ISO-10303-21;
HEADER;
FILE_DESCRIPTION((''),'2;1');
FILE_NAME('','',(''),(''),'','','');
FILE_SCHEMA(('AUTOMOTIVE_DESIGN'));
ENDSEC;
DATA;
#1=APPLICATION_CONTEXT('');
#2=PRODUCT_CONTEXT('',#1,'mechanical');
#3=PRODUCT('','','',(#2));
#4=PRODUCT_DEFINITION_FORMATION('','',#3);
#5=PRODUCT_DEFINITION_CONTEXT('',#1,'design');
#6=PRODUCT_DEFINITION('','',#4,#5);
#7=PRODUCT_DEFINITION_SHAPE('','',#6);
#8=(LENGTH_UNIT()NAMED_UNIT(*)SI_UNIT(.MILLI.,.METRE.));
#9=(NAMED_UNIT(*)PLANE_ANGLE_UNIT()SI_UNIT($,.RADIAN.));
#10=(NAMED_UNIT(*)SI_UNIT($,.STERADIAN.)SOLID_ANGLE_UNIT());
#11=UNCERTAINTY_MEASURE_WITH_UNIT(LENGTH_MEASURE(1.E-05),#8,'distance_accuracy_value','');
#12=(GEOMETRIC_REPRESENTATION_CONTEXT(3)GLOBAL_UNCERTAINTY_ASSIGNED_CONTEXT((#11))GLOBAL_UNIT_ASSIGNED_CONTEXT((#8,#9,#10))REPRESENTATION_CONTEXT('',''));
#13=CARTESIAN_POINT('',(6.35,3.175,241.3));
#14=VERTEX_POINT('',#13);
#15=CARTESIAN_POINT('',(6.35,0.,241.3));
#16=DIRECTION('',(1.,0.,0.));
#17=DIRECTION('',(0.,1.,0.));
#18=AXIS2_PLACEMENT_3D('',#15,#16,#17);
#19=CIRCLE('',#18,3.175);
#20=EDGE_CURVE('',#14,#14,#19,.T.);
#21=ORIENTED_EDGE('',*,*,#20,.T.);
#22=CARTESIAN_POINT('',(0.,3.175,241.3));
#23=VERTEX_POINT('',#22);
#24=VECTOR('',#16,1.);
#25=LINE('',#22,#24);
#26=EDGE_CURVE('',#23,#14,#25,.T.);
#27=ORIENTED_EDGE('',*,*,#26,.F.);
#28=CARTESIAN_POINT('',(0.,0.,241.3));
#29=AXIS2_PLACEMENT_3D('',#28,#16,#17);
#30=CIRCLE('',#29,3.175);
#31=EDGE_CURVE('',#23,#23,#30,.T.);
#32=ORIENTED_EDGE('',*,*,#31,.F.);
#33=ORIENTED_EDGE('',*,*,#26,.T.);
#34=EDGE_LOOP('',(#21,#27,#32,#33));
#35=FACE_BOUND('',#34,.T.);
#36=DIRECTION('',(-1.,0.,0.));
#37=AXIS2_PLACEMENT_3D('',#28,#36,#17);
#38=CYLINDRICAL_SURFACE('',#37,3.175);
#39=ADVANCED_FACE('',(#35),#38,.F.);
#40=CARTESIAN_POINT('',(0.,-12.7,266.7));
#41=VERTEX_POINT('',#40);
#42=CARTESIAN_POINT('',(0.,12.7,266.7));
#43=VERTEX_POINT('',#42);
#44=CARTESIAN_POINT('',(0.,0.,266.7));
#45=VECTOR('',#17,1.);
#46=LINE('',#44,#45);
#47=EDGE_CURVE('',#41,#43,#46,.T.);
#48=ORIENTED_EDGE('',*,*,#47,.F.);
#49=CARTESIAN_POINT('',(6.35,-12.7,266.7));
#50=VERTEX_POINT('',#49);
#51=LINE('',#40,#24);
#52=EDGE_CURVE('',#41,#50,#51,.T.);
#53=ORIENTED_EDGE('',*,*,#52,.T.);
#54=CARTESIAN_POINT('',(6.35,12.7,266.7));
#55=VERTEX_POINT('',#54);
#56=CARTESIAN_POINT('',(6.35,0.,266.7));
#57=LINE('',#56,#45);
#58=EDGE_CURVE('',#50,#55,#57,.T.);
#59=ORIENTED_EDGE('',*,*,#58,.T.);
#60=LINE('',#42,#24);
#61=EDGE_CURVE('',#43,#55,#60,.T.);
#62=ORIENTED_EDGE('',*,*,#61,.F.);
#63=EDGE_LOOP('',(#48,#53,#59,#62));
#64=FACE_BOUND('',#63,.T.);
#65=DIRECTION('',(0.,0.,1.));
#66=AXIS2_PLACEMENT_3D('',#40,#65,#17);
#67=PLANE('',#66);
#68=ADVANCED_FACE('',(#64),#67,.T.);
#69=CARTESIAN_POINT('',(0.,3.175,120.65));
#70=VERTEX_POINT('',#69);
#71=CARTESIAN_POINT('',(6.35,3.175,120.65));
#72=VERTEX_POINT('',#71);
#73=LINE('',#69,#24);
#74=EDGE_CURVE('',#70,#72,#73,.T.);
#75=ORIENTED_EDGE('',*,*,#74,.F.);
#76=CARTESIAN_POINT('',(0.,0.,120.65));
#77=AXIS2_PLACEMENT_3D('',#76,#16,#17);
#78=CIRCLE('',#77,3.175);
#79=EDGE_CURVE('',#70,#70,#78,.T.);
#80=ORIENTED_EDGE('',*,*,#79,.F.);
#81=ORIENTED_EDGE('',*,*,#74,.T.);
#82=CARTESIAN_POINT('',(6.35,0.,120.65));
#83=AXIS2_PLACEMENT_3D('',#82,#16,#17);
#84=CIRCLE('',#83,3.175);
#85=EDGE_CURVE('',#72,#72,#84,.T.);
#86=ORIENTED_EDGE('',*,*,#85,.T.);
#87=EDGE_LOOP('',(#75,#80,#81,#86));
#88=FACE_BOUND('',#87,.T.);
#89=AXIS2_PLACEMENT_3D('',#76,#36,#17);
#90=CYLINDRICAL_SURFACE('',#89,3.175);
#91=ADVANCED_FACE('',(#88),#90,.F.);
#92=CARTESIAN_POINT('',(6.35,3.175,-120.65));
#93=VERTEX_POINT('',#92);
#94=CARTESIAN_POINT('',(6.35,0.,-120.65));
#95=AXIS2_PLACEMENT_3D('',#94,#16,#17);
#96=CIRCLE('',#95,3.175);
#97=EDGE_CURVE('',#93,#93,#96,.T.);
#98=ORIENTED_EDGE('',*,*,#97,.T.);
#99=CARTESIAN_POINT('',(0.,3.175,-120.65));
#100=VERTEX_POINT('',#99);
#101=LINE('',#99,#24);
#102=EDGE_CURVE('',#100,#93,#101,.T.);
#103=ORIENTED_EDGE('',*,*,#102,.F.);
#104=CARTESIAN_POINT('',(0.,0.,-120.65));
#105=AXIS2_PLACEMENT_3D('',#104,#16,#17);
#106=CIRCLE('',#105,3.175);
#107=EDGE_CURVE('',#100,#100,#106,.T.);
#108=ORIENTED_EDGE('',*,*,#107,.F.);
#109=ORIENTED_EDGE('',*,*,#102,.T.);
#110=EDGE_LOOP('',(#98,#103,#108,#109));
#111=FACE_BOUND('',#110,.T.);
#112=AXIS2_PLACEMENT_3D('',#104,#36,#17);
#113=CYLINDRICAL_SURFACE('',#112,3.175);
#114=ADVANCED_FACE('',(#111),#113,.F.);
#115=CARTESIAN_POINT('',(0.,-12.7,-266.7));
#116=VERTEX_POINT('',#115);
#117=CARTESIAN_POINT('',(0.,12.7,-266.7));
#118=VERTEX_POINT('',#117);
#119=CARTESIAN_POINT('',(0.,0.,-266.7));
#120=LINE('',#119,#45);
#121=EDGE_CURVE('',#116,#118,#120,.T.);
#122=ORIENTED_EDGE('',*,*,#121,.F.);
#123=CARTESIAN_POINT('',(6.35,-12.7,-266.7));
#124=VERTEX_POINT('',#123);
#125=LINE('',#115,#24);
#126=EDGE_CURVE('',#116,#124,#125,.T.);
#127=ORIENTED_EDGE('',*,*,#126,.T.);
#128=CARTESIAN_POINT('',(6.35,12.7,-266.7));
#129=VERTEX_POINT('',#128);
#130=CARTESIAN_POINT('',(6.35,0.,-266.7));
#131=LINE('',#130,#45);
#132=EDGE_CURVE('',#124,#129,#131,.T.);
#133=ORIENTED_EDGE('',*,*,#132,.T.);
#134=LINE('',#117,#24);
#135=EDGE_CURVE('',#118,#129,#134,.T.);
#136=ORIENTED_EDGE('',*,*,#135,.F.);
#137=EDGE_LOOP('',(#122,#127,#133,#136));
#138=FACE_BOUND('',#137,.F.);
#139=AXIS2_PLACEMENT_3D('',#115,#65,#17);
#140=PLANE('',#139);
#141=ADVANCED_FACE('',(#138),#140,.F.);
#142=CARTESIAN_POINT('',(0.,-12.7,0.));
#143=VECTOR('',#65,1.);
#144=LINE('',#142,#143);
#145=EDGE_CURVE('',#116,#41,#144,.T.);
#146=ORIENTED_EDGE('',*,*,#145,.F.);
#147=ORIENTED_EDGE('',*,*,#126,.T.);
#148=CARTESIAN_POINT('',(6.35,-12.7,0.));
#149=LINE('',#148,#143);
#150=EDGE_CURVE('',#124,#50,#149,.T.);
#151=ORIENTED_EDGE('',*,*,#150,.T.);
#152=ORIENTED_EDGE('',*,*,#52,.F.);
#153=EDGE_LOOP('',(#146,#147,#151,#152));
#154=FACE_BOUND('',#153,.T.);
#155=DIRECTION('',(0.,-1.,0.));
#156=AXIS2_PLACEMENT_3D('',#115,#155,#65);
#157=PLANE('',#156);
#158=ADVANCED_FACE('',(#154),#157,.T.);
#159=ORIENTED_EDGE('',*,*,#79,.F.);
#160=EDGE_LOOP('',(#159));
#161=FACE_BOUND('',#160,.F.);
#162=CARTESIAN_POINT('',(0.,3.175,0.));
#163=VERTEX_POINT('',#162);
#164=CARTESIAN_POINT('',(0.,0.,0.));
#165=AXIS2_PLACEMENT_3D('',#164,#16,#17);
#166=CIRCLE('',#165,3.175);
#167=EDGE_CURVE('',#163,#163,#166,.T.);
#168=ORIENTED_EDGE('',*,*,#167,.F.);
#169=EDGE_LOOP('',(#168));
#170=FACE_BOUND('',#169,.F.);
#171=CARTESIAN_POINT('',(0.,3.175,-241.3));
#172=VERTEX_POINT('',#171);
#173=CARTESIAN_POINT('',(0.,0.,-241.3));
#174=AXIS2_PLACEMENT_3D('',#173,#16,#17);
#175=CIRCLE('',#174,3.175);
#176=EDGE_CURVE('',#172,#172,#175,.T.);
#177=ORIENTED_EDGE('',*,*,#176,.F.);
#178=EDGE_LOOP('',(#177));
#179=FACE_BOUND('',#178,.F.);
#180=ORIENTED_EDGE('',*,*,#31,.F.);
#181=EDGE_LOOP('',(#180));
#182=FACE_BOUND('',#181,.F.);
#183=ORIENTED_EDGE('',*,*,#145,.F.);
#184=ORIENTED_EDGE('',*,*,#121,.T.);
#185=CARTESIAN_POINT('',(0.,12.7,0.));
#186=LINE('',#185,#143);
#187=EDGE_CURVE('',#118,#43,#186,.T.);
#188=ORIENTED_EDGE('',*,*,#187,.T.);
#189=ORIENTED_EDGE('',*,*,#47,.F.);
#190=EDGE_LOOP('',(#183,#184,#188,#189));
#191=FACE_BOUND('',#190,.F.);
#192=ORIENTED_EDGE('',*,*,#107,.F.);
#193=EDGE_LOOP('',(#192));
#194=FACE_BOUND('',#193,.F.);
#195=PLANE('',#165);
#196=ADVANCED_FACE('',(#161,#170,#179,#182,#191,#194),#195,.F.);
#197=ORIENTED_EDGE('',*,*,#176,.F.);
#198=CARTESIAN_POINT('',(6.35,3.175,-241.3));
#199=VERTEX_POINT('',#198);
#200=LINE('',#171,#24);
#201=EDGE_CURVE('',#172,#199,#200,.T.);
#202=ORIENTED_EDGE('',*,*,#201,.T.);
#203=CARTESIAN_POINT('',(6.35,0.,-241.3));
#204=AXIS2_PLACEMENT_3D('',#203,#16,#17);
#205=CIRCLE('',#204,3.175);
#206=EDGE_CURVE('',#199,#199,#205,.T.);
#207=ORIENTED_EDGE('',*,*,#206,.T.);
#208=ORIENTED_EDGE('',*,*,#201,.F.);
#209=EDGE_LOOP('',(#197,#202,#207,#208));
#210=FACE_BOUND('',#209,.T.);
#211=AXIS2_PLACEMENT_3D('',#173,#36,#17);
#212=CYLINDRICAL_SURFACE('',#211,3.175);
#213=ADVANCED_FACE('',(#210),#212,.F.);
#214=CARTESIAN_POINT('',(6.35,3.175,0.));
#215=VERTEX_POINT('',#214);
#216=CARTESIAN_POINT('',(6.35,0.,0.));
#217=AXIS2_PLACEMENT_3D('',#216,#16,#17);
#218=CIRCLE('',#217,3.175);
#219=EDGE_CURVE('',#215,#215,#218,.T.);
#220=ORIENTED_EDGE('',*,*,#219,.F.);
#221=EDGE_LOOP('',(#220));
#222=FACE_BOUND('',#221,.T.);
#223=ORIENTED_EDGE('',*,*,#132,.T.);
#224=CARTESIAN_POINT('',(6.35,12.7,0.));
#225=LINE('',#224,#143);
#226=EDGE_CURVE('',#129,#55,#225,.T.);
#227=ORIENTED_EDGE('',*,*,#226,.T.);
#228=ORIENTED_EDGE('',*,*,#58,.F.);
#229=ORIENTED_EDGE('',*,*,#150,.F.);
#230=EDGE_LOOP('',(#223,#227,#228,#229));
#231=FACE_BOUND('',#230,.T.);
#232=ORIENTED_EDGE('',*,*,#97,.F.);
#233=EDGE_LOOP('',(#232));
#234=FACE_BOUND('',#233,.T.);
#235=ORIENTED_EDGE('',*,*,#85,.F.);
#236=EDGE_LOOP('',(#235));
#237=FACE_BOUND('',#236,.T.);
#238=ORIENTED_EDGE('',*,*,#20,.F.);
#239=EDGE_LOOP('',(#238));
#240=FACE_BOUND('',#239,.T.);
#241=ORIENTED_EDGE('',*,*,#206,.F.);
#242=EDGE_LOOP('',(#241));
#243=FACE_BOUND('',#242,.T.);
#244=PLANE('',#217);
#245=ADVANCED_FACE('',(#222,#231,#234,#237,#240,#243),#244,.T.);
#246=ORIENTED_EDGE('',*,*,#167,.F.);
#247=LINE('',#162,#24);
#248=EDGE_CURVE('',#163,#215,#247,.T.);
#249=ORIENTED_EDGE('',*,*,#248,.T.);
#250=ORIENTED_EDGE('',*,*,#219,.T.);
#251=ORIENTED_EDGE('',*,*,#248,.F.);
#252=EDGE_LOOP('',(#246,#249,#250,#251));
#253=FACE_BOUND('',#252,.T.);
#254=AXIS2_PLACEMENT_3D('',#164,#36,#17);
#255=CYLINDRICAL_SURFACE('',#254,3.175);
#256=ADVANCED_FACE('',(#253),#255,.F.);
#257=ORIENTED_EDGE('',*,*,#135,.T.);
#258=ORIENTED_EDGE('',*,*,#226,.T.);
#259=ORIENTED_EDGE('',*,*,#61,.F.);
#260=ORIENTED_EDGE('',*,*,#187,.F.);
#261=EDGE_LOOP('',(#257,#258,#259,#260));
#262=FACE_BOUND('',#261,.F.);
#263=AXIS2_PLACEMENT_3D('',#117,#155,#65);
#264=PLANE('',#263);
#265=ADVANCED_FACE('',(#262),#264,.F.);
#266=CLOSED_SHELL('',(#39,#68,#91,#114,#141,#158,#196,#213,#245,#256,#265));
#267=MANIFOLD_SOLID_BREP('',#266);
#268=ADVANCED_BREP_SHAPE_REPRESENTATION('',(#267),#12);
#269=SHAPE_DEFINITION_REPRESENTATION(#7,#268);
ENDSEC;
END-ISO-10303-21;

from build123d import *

# Parameters (mm, degrees)
F0_W     = 25.4
F0_H     = 533.4
F0_R     = 3.175
F1_DEPTH = 6.35


with BuildPart() as f1:
    # F0 (on Right) → F1 (new body)
    with BuildSketch(Plane.YZ):
        Rectangle(F0_W, F0_H)
        with Locations((0, -241.3)):
            Circle(F0_R, mode=Mode.SUBTRACT)
        with Locations((0, -120.65)):
            Circle(F0_R, mode=Mode.SUBTRACT)
        Circle(F0_R, mode=Mode.SUBTRACT)
        with Locations((0, 120.65)):
            Circle(F0_R, mode=Mode.SUBTRACT)
        with Locations((0, 241.3)):
            Circle(F0_R, mode=Mode.SUBTRACT)
    extrude(amount=F1_DEPTH)


solid = f1.part
